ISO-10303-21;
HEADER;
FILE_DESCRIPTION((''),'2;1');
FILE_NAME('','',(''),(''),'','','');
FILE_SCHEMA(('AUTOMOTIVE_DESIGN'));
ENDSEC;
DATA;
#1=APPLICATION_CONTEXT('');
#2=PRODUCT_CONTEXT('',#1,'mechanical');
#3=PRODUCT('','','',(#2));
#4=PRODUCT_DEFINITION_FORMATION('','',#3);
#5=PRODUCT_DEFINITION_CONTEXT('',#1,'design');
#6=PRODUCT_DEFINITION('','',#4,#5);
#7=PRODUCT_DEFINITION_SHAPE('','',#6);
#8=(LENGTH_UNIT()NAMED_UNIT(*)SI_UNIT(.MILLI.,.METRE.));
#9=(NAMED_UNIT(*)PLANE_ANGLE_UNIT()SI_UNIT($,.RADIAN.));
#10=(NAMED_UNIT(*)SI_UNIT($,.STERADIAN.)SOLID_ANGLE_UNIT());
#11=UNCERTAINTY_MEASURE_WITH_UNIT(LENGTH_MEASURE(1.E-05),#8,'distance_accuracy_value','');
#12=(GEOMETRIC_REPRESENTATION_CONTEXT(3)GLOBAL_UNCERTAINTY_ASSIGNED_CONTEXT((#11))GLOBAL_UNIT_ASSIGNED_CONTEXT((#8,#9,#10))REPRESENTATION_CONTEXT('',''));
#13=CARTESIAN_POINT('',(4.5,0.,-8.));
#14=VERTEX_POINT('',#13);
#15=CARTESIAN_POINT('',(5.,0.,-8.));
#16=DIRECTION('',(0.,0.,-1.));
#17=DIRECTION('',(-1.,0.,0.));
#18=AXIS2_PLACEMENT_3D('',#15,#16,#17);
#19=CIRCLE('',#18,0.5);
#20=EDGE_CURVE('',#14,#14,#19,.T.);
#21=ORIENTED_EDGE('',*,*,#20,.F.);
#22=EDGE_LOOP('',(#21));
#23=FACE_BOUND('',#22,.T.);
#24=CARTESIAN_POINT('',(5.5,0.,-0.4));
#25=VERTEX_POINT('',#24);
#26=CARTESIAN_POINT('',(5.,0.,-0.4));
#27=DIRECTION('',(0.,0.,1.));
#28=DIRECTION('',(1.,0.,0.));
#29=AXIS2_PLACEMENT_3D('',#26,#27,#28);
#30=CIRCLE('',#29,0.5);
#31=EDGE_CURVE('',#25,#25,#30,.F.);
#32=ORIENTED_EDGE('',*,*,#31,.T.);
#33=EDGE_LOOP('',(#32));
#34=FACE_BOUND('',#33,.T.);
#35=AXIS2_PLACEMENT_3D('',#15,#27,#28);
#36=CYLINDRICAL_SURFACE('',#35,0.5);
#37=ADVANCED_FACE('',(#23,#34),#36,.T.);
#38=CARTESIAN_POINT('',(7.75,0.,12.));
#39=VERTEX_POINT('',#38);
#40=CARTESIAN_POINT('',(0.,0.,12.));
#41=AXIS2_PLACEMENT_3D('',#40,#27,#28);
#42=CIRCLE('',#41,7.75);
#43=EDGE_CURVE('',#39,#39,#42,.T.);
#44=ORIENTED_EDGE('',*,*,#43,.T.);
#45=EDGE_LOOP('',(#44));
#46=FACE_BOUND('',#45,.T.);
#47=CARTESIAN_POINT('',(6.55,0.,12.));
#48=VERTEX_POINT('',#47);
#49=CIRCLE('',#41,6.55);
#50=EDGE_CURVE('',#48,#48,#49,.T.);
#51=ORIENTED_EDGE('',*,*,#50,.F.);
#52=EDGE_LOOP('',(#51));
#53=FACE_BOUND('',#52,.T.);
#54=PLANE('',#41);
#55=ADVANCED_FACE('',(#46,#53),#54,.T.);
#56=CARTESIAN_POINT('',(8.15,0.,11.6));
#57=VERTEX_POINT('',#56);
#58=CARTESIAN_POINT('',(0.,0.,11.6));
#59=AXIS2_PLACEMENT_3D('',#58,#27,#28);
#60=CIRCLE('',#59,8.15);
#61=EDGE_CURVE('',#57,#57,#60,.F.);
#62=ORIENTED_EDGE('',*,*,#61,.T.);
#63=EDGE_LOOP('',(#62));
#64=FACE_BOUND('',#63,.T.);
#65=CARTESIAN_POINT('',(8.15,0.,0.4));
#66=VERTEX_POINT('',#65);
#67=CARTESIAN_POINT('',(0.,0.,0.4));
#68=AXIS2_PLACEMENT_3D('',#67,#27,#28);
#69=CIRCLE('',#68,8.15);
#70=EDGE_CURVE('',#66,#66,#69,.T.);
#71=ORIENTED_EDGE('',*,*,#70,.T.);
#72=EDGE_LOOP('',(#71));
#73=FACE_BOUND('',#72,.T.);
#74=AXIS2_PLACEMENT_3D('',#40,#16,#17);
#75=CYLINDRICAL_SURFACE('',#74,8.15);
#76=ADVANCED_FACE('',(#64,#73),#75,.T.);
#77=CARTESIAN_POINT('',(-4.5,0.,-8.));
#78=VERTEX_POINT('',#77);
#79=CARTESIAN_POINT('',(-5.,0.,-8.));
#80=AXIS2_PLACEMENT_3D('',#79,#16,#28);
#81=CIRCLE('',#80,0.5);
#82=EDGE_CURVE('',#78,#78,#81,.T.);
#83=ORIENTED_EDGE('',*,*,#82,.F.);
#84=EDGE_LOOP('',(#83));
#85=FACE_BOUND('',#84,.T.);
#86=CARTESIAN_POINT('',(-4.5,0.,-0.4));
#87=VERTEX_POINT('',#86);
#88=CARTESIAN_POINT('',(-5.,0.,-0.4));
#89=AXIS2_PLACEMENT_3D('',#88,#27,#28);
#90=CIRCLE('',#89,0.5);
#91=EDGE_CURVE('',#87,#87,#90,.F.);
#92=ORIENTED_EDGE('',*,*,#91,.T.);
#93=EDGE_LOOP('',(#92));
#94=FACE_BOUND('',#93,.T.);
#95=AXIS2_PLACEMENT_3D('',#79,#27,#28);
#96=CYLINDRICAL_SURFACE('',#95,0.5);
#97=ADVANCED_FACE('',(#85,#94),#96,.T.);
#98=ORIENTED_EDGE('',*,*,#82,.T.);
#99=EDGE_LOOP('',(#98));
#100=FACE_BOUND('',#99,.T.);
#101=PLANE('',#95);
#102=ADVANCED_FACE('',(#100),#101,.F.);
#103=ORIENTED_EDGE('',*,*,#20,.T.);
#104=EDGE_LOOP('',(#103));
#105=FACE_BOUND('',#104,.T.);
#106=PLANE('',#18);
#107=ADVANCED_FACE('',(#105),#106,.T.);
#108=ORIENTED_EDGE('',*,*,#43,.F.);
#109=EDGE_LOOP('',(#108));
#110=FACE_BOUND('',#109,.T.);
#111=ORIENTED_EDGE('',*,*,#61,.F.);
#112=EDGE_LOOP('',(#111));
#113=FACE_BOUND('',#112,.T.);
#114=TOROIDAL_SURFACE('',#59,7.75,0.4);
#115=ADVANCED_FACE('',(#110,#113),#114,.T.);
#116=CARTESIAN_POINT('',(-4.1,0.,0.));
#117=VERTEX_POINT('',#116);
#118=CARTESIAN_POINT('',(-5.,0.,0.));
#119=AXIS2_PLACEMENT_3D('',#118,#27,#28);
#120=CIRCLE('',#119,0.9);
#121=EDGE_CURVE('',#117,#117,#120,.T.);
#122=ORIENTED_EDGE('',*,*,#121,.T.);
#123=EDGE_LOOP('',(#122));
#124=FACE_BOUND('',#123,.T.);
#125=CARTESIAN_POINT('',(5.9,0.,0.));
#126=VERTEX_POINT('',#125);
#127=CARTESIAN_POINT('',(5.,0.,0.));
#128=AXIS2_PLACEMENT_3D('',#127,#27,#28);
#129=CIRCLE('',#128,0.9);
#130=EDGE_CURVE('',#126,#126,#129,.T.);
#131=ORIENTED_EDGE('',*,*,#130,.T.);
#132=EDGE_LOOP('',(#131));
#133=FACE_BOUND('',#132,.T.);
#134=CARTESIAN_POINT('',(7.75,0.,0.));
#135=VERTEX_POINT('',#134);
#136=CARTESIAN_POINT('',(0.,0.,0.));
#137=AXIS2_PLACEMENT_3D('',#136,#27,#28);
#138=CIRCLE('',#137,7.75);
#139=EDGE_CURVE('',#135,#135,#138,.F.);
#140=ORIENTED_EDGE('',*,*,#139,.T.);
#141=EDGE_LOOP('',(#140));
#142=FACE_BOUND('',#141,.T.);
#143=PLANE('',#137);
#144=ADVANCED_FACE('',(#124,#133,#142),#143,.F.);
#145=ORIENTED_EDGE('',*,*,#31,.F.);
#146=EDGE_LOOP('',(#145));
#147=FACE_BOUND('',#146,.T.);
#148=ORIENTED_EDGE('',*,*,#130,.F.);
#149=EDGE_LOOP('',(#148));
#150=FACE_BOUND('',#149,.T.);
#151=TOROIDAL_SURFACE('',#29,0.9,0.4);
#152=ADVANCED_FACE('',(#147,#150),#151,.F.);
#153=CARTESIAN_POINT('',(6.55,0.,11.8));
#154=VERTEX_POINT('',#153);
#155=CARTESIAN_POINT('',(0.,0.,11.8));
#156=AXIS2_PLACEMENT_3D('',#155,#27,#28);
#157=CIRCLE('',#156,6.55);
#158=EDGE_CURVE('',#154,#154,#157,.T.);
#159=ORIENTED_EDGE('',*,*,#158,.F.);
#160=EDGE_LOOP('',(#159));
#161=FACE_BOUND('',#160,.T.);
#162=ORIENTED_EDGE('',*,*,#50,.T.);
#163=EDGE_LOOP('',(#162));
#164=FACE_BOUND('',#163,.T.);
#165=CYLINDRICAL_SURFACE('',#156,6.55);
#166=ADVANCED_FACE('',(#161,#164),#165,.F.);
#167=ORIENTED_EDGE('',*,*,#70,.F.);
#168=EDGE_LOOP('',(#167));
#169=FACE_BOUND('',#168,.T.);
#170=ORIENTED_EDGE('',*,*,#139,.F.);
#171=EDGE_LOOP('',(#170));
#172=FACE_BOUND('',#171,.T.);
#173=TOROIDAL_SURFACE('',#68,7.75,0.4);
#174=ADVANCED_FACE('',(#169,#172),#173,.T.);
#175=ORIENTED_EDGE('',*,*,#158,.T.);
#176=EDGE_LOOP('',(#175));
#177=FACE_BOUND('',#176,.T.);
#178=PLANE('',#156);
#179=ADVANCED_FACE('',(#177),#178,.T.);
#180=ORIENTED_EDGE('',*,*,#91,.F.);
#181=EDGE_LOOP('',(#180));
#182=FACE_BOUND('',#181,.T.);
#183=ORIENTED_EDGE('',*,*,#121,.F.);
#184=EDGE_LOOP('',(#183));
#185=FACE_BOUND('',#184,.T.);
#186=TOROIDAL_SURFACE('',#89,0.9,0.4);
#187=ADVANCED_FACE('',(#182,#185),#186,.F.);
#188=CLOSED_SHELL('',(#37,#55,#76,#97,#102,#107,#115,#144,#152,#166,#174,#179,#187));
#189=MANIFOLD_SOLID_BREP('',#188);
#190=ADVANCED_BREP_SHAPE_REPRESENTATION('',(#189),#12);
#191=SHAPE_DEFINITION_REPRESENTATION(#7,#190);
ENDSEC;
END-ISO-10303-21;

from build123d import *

# Parameters (mm, degrees)
ESQCORPS_R   = 8.15
CORPS_DEPTH  = 12
ESQPATTES_R  = 0.5
PATTES_DEPTH = 8
CONG_1_R     = 0.4
ESQDEVANT_R  = 6.55
DEVANT_DEPTH = 0.2


with BuildPart() as part:
    # EsqCorps → Corps (new body)
    with BuildSketch(Plane.XY):
        Circle(ESQCORPS_R)
    extrude(amount=CORPS_DEPTH)

    # EsqPattes → Pattes (add)
    with BuildSketch(Plane(origin=(0, 0, 0), x_dir=(-1, 0, 0), z_dir=(0, 0, -1))):
        with Locations((-5, 0)):
            Circle(ESQPATTES_R)
        with Locations((5, 0)):
            Circle(ESQPATTES_R)
    extrude(amount=PATTES_DEPTH)

    # Congé1
    cong_1_edges = [part.edges().sort_by_distance(p)[0] for p in [
        (-8.15, 0, 0),
        (-8.15, 0, 12),
        (5.5, 0, 0),
        (-4.5, 0, 0),
    ]]
    fillet(cong_1_edges, radius=CONG_1_R)

    # EsqDevant → Devant (cut)
    with BuildSketch(Plane.XY.offset(12)):
        Circle(ESQDEVANT_R)
    extrude(amount=-DEVANT_DEPTH, mode=Mode.SUBTRACT)


solid = part.part
